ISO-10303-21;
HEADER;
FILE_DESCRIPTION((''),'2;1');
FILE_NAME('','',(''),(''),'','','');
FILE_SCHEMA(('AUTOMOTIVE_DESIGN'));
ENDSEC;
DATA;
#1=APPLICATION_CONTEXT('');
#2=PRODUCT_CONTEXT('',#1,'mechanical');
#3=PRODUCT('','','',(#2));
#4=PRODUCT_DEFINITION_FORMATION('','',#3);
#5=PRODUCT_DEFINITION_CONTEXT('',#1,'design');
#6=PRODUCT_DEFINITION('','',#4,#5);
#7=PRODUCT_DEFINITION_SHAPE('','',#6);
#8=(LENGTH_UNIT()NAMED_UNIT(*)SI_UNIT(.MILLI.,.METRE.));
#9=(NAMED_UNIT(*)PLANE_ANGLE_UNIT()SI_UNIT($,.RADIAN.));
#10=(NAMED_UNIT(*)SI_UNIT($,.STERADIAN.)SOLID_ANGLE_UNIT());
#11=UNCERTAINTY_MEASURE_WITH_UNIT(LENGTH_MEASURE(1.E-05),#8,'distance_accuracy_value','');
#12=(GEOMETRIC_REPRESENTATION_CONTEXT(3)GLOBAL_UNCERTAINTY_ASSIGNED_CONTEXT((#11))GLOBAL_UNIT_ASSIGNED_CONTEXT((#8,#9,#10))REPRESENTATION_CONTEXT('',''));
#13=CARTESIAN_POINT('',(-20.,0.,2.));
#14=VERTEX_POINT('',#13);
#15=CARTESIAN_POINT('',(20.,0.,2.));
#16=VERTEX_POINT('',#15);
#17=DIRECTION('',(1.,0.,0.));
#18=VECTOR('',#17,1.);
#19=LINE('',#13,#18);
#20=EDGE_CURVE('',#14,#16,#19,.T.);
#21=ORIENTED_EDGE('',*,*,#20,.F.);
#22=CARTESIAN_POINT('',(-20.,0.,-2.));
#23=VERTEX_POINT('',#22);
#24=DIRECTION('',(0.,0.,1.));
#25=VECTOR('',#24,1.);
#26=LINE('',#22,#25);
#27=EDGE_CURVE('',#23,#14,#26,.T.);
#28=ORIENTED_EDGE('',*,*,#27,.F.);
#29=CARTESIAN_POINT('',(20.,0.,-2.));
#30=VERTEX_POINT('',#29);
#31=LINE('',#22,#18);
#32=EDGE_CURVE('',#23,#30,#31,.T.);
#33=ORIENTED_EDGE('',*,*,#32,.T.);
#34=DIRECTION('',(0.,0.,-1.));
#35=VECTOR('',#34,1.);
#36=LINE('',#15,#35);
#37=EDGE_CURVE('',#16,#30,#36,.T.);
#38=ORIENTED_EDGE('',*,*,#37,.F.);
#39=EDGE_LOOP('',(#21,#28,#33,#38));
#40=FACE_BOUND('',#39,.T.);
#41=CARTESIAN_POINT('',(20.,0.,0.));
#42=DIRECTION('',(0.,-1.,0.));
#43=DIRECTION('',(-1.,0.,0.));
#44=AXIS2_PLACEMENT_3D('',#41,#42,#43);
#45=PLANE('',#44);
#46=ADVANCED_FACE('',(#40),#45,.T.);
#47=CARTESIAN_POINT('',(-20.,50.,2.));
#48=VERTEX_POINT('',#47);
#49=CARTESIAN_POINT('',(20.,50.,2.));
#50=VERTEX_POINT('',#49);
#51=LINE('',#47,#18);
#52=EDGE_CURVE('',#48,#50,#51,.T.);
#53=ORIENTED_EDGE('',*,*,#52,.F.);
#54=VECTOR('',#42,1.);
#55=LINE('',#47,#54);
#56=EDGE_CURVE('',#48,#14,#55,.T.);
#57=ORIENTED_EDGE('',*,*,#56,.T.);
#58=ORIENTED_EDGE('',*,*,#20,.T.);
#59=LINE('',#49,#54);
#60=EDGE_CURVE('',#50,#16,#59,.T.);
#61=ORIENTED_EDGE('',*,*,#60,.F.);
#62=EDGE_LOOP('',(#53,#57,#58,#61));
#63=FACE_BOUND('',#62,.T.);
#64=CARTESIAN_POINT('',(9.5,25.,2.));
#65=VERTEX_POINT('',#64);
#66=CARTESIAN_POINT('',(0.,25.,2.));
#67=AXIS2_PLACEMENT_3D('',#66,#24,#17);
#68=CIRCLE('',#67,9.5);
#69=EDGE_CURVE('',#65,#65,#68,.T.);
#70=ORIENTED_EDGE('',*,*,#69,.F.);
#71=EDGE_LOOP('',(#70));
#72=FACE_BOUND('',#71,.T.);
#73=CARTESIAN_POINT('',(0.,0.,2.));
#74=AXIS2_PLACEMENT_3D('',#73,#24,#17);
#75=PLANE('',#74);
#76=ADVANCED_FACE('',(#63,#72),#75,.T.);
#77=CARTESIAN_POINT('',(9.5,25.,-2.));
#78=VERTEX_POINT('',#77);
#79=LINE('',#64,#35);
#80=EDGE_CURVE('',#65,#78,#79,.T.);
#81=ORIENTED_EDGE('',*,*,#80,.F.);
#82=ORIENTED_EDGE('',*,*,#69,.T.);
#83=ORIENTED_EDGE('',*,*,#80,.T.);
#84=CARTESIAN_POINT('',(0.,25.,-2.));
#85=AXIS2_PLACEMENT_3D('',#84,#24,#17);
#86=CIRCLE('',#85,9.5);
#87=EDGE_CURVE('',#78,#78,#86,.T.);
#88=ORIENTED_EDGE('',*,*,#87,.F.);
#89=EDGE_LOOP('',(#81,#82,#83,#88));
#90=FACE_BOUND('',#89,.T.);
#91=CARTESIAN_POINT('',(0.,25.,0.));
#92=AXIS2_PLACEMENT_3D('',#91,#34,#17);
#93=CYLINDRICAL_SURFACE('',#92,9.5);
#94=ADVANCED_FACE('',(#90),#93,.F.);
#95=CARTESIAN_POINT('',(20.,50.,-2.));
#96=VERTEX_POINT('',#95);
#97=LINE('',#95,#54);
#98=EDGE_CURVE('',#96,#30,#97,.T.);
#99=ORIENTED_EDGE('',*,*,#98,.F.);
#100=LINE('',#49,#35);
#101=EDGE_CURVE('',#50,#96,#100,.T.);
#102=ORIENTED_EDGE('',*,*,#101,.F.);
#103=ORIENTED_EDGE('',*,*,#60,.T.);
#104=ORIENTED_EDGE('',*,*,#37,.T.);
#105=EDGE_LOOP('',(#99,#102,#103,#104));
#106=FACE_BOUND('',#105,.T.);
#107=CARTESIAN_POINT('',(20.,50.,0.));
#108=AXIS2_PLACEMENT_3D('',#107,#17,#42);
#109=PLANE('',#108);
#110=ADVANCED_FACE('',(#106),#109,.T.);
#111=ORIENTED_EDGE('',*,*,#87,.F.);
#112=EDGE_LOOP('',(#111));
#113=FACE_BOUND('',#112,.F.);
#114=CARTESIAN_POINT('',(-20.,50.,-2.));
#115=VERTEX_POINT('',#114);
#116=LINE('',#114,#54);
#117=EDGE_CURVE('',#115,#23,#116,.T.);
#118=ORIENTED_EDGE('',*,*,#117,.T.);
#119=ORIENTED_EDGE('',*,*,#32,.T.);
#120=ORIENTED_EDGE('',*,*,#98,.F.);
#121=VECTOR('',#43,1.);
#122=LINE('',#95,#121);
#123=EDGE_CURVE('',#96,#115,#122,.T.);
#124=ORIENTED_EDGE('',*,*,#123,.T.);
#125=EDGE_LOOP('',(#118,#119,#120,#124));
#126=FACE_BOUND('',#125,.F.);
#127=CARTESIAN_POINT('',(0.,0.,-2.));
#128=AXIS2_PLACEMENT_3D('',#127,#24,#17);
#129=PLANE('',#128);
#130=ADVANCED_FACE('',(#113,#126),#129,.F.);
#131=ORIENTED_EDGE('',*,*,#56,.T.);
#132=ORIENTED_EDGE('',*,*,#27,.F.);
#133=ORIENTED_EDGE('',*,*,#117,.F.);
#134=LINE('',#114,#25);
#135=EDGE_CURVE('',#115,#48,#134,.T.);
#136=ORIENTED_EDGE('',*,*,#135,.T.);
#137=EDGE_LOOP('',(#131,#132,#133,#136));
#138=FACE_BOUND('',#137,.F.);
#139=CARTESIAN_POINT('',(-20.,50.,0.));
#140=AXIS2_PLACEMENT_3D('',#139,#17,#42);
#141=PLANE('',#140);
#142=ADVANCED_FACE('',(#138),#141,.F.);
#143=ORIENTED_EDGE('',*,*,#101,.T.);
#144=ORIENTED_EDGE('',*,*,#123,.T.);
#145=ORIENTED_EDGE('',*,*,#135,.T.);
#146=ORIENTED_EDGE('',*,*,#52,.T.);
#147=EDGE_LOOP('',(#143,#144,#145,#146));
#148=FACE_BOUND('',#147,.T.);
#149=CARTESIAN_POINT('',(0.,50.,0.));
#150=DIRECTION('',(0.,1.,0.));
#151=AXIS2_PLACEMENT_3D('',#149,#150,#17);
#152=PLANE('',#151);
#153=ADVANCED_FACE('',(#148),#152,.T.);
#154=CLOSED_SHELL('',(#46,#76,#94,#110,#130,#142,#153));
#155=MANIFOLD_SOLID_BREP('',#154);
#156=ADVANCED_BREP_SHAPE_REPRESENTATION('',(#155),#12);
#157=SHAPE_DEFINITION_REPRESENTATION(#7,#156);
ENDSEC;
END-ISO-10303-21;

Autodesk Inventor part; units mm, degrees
ref_plane "YZ Plane" through (0, 0, 0) normal (1, 0, 0) x (0, 1, 0)
ref_plane "XZ Plane" through (0, 0, 0) normal (0, 1, 0) x (-1, 0, 0)
ref_plane "XY Plane" through (0, 0, 0) normal (0, 0, 1) x (1, 0, 0)
sketch "Sketch1" plane through (0, 0, 0) normal (0, 0, 1) x (1, 0, 0)
  line L0 (0, 0) -> (0, 60) construction
  line L1 (0, 50) -> (-20, 50)
  line L2 (-20, 50) -> (-20, 0)
  line L3 (-20, 0) -> (0, 0)
  line L4 (0, 50) -> (20, 50)
  line L5 (20, 50) -> (20, 0)
  line L6 (20, 0) -> (0, 0)
  circle A0 centre (0, 25) radius 9.5
  dimension "d0" = 60
  dimension "d1" = 50
  dimension "d2" = 20
  dimension "d3" = 19
extrude "Extrusion1" add sketch "Sketch1" along normal mid plane 4
properties part number "Frame top" material "Steel, Alloy"
